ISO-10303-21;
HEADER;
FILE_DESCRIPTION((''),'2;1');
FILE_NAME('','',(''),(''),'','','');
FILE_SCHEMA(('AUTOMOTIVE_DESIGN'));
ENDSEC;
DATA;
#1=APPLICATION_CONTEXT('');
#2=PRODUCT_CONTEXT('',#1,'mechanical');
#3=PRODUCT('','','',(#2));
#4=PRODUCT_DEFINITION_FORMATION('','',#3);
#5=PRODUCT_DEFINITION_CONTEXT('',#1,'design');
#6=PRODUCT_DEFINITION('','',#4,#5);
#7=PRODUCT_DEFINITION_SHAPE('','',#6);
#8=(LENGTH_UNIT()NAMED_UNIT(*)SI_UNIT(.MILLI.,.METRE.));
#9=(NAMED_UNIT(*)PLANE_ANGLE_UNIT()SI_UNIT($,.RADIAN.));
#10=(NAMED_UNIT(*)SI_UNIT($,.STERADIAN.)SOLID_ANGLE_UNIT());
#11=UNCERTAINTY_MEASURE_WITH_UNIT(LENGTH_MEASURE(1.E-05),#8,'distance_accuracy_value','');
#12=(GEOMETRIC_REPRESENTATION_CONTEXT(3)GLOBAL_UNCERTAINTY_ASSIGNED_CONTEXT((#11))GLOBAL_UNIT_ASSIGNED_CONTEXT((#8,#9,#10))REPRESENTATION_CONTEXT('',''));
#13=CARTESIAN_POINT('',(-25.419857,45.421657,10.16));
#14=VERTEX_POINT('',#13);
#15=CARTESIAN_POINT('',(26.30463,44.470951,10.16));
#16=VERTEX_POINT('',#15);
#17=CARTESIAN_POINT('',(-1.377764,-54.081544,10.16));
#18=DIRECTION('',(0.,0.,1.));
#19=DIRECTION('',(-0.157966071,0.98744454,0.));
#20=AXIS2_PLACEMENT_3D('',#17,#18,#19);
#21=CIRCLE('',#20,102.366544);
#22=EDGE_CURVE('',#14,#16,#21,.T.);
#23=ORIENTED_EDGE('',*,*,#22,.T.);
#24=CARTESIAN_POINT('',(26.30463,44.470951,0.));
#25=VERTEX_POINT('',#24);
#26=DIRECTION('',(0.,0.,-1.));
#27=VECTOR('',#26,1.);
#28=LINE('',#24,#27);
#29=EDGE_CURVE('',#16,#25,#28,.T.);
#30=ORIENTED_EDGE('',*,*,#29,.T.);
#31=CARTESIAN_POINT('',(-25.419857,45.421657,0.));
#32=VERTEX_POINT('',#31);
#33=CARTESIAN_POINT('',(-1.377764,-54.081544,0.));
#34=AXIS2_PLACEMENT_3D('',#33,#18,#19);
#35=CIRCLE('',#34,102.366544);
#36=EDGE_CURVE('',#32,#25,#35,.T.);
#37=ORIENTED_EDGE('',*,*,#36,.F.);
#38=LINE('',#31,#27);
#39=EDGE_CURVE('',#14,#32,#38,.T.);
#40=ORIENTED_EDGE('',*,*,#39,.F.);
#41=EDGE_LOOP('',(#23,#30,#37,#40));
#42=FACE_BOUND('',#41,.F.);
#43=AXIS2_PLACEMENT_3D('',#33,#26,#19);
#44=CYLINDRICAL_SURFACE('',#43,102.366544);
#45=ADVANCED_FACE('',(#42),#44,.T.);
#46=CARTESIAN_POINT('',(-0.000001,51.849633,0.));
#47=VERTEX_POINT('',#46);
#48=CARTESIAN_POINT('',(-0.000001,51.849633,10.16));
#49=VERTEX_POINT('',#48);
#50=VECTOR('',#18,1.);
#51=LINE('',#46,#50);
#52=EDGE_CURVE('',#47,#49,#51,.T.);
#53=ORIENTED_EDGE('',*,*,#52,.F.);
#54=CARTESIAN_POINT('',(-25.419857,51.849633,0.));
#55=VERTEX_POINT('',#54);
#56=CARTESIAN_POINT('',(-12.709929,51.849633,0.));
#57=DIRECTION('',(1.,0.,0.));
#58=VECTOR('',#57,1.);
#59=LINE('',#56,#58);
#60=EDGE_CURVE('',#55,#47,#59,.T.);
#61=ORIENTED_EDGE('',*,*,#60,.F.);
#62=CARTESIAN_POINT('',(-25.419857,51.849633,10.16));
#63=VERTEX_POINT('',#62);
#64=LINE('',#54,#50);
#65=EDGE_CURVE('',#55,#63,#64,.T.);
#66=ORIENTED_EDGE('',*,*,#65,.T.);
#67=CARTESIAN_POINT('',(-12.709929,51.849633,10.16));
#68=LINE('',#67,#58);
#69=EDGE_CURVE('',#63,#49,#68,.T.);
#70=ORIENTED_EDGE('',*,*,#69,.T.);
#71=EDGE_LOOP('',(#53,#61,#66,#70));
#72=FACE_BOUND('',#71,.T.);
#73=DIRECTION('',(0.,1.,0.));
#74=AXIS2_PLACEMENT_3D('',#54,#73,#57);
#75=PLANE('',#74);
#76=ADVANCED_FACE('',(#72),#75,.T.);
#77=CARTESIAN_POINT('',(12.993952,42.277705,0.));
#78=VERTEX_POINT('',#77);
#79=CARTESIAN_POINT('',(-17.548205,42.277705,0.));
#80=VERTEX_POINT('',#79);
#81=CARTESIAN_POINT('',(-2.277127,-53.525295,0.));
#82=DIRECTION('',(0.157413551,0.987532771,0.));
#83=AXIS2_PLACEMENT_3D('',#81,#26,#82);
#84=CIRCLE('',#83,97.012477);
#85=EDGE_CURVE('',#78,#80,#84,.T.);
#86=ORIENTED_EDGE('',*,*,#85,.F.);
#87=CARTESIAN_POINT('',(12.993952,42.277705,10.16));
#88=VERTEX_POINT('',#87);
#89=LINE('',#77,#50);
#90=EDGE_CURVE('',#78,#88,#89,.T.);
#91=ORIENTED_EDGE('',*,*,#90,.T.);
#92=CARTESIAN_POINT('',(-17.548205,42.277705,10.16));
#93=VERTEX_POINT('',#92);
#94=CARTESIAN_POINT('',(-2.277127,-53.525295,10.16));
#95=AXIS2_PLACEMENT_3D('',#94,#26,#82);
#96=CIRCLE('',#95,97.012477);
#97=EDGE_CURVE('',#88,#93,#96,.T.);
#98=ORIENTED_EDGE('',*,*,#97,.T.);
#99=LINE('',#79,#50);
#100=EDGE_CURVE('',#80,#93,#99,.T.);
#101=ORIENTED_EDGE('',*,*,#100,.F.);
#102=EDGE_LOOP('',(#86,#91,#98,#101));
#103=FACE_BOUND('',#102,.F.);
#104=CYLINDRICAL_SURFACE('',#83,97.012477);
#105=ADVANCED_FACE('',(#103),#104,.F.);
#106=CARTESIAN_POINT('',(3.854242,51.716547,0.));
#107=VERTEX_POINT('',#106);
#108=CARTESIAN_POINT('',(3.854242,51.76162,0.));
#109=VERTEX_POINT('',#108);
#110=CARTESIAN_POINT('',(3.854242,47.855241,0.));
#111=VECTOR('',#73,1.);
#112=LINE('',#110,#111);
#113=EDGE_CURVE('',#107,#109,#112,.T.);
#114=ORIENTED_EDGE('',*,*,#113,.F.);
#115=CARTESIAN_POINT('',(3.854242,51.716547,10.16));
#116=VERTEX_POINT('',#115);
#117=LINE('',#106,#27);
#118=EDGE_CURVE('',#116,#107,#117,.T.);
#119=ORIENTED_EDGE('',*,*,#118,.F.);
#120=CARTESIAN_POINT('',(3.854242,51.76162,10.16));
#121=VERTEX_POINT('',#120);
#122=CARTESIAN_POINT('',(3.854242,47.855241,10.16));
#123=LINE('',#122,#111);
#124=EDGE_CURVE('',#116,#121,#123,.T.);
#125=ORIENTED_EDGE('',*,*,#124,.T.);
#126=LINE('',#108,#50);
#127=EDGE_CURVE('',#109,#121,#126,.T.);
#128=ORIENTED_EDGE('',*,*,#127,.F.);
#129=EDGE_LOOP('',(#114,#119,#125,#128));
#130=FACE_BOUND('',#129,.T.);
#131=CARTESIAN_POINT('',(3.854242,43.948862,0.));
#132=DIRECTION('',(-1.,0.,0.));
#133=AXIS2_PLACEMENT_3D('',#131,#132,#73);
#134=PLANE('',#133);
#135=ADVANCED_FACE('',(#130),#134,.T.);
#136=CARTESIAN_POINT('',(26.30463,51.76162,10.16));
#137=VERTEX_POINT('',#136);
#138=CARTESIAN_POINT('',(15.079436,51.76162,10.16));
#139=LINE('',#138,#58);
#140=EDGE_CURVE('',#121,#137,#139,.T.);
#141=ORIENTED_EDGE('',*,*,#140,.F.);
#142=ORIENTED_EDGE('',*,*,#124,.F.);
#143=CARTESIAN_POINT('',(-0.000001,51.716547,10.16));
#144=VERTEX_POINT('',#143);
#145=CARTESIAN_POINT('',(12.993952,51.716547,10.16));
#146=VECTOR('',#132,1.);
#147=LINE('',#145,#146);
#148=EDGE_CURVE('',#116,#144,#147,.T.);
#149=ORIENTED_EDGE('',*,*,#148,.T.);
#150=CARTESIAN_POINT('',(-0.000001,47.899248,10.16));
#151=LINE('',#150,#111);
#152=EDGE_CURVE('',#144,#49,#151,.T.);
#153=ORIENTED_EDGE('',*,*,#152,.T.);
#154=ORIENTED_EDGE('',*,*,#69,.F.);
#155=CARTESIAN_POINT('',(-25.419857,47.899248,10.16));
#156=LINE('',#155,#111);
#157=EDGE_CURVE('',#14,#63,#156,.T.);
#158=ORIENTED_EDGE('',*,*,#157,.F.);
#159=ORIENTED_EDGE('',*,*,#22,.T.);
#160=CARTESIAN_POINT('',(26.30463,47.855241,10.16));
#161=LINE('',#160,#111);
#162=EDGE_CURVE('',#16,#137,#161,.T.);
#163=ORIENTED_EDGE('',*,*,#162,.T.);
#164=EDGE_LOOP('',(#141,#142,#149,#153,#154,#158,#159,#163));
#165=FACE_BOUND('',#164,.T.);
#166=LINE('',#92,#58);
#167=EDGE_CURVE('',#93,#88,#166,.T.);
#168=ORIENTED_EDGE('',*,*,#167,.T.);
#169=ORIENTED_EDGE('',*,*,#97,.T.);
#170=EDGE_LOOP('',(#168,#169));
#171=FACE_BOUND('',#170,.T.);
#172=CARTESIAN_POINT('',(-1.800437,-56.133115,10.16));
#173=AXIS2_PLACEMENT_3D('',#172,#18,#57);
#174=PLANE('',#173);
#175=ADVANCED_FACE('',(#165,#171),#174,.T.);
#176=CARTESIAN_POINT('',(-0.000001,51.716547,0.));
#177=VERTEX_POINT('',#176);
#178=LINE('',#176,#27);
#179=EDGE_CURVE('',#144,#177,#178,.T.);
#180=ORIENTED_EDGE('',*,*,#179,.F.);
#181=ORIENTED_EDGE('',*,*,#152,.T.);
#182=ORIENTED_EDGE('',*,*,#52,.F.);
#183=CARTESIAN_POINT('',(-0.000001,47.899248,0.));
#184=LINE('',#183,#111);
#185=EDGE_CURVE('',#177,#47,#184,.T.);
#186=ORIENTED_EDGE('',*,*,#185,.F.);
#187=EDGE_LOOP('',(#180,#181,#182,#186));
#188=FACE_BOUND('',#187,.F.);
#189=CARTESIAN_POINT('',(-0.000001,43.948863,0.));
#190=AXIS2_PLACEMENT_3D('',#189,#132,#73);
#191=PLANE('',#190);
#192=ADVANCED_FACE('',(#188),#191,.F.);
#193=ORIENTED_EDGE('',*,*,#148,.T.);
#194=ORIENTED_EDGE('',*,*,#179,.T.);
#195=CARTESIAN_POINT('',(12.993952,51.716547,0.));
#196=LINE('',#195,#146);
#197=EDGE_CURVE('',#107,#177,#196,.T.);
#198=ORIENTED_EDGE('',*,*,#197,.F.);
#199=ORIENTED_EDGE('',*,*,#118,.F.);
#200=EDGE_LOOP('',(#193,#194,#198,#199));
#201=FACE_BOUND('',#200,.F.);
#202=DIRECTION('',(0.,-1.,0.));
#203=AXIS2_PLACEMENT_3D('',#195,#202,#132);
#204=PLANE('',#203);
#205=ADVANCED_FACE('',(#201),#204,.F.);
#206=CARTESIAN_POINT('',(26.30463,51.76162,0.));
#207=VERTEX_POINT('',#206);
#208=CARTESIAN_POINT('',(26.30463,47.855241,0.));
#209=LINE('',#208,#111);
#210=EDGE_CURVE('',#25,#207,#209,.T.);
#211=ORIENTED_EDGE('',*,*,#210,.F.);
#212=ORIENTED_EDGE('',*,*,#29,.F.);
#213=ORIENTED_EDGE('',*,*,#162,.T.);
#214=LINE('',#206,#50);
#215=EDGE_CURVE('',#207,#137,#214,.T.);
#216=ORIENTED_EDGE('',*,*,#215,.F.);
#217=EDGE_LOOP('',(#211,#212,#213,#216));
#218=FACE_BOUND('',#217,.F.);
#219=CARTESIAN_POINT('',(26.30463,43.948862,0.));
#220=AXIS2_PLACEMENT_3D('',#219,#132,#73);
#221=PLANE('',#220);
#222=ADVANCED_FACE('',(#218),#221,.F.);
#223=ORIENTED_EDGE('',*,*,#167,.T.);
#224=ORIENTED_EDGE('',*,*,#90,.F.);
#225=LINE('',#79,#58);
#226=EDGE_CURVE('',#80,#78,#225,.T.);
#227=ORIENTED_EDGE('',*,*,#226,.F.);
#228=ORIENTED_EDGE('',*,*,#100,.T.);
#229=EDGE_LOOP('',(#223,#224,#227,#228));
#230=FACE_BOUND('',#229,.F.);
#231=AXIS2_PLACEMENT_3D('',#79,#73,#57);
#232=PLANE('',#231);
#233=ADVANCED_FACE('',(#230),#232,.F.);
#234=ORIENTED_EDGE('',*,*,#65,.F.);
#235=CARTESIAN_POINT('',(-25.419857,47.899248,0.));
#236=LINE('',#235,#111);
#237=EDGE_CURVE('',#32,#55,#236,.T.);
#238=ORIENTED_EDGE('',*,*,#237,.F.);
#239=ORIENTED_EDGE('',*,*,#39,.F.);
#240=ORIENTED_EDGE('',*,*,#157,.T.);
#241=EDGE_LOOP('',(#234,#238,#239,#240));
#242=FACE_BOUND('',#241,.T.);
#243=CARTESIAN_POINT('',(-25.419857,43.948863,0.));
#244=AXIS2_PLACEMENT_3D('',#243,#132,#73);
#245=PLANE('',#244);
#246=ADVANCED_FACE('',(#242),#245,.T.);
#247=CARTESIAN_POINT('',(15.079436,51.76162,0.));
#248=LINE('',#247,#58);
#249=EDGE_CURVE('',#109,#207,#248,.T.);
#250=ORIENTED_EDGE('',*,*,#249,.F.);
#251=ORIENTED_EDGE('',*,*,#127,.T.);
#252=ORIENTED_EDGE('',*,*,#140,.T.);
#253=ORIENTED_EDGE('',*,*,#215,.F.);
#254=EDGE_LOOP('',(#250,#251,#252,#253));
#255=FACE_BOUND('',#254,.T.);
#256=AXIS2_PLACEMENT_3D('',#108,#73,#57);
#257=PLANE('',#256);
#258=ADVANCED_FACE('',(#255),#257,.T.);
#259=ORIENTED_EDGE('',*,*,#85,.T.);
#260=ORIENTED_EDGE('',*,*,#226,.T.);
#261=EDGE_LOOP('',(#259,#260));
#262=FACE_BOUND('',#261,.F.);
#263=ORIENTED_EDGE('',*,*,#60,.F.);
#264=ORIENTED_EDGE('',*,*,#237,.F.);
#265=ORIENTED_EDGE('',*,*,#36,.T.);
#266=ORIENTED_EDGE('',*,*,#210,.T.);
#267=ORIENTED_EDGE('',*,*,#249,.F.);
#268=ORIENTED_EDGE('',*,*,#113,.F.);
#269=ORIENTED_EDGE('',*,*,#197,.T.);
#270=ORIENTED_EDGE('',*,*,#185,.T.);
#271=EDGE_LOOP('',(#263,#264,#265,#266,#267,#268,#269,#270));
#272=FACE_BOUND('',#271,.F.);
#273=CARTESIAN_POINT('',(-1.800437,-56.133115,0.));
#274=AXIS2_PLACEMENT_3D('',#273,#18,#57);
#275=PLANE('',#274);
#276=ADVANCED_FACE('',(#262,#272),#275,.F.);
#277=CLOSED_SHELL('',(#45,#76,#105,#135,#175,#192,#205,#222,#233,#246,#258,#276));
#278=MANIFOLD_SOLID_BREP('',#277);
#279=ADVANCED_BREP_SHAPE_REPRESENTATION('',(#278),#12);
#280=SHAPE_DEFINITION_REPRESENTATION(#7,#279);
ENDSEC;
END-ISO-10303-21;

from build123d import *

# Parameters (mm, degrees)
F1_DEPTH = 10.16
F2_W     = 22.450389
F2_H     = 7.812757
F2_W_2   = 25.419857
F2_H_2   = 7.90077
F3_DEPTH = 10.16


with BuildPart() as f1:
    # F0 (on Top) → F1 (new body)
    with BuildSketch(Plane.XY):
        with BuildLine():
            Line((-17.548205, 42.277705), (-17.548205, 46.999741))
            ThreePointArc((-17.548205, 46.999741), (-0.468223, -156.444048), (12.993952, 47.271123))
            Line((12.993952, 47.271123), (12.993952, 42.277705))
            ThreePointArc((12.993952, 42.277705), (-2.277126, -150.537772), (-17.548205, 42.277705))
        make_face()
        Polygon((-17.548205, 51.716547), (-17.548205, 46.999741), (-17.548205, 42.277705), (12.993952, 42.277705), (12.993952, 47.271123), (12.993952, 51.716547), align=None)
    extrude(amount=F1_DEPTH)

    # F2 (on Top) → F3 (join)
    with BuildSketch(Plane.XY):
        with Locations((15.079436, 47.855241)):
            Rectangle(F2_W, F2_H)
        with Locations((-12.709929, 47.899248)):
            Rectangle(F2_W_2, F2_H_2)
    extrude(amount=F3_DEPTH)


solid = f1.part
